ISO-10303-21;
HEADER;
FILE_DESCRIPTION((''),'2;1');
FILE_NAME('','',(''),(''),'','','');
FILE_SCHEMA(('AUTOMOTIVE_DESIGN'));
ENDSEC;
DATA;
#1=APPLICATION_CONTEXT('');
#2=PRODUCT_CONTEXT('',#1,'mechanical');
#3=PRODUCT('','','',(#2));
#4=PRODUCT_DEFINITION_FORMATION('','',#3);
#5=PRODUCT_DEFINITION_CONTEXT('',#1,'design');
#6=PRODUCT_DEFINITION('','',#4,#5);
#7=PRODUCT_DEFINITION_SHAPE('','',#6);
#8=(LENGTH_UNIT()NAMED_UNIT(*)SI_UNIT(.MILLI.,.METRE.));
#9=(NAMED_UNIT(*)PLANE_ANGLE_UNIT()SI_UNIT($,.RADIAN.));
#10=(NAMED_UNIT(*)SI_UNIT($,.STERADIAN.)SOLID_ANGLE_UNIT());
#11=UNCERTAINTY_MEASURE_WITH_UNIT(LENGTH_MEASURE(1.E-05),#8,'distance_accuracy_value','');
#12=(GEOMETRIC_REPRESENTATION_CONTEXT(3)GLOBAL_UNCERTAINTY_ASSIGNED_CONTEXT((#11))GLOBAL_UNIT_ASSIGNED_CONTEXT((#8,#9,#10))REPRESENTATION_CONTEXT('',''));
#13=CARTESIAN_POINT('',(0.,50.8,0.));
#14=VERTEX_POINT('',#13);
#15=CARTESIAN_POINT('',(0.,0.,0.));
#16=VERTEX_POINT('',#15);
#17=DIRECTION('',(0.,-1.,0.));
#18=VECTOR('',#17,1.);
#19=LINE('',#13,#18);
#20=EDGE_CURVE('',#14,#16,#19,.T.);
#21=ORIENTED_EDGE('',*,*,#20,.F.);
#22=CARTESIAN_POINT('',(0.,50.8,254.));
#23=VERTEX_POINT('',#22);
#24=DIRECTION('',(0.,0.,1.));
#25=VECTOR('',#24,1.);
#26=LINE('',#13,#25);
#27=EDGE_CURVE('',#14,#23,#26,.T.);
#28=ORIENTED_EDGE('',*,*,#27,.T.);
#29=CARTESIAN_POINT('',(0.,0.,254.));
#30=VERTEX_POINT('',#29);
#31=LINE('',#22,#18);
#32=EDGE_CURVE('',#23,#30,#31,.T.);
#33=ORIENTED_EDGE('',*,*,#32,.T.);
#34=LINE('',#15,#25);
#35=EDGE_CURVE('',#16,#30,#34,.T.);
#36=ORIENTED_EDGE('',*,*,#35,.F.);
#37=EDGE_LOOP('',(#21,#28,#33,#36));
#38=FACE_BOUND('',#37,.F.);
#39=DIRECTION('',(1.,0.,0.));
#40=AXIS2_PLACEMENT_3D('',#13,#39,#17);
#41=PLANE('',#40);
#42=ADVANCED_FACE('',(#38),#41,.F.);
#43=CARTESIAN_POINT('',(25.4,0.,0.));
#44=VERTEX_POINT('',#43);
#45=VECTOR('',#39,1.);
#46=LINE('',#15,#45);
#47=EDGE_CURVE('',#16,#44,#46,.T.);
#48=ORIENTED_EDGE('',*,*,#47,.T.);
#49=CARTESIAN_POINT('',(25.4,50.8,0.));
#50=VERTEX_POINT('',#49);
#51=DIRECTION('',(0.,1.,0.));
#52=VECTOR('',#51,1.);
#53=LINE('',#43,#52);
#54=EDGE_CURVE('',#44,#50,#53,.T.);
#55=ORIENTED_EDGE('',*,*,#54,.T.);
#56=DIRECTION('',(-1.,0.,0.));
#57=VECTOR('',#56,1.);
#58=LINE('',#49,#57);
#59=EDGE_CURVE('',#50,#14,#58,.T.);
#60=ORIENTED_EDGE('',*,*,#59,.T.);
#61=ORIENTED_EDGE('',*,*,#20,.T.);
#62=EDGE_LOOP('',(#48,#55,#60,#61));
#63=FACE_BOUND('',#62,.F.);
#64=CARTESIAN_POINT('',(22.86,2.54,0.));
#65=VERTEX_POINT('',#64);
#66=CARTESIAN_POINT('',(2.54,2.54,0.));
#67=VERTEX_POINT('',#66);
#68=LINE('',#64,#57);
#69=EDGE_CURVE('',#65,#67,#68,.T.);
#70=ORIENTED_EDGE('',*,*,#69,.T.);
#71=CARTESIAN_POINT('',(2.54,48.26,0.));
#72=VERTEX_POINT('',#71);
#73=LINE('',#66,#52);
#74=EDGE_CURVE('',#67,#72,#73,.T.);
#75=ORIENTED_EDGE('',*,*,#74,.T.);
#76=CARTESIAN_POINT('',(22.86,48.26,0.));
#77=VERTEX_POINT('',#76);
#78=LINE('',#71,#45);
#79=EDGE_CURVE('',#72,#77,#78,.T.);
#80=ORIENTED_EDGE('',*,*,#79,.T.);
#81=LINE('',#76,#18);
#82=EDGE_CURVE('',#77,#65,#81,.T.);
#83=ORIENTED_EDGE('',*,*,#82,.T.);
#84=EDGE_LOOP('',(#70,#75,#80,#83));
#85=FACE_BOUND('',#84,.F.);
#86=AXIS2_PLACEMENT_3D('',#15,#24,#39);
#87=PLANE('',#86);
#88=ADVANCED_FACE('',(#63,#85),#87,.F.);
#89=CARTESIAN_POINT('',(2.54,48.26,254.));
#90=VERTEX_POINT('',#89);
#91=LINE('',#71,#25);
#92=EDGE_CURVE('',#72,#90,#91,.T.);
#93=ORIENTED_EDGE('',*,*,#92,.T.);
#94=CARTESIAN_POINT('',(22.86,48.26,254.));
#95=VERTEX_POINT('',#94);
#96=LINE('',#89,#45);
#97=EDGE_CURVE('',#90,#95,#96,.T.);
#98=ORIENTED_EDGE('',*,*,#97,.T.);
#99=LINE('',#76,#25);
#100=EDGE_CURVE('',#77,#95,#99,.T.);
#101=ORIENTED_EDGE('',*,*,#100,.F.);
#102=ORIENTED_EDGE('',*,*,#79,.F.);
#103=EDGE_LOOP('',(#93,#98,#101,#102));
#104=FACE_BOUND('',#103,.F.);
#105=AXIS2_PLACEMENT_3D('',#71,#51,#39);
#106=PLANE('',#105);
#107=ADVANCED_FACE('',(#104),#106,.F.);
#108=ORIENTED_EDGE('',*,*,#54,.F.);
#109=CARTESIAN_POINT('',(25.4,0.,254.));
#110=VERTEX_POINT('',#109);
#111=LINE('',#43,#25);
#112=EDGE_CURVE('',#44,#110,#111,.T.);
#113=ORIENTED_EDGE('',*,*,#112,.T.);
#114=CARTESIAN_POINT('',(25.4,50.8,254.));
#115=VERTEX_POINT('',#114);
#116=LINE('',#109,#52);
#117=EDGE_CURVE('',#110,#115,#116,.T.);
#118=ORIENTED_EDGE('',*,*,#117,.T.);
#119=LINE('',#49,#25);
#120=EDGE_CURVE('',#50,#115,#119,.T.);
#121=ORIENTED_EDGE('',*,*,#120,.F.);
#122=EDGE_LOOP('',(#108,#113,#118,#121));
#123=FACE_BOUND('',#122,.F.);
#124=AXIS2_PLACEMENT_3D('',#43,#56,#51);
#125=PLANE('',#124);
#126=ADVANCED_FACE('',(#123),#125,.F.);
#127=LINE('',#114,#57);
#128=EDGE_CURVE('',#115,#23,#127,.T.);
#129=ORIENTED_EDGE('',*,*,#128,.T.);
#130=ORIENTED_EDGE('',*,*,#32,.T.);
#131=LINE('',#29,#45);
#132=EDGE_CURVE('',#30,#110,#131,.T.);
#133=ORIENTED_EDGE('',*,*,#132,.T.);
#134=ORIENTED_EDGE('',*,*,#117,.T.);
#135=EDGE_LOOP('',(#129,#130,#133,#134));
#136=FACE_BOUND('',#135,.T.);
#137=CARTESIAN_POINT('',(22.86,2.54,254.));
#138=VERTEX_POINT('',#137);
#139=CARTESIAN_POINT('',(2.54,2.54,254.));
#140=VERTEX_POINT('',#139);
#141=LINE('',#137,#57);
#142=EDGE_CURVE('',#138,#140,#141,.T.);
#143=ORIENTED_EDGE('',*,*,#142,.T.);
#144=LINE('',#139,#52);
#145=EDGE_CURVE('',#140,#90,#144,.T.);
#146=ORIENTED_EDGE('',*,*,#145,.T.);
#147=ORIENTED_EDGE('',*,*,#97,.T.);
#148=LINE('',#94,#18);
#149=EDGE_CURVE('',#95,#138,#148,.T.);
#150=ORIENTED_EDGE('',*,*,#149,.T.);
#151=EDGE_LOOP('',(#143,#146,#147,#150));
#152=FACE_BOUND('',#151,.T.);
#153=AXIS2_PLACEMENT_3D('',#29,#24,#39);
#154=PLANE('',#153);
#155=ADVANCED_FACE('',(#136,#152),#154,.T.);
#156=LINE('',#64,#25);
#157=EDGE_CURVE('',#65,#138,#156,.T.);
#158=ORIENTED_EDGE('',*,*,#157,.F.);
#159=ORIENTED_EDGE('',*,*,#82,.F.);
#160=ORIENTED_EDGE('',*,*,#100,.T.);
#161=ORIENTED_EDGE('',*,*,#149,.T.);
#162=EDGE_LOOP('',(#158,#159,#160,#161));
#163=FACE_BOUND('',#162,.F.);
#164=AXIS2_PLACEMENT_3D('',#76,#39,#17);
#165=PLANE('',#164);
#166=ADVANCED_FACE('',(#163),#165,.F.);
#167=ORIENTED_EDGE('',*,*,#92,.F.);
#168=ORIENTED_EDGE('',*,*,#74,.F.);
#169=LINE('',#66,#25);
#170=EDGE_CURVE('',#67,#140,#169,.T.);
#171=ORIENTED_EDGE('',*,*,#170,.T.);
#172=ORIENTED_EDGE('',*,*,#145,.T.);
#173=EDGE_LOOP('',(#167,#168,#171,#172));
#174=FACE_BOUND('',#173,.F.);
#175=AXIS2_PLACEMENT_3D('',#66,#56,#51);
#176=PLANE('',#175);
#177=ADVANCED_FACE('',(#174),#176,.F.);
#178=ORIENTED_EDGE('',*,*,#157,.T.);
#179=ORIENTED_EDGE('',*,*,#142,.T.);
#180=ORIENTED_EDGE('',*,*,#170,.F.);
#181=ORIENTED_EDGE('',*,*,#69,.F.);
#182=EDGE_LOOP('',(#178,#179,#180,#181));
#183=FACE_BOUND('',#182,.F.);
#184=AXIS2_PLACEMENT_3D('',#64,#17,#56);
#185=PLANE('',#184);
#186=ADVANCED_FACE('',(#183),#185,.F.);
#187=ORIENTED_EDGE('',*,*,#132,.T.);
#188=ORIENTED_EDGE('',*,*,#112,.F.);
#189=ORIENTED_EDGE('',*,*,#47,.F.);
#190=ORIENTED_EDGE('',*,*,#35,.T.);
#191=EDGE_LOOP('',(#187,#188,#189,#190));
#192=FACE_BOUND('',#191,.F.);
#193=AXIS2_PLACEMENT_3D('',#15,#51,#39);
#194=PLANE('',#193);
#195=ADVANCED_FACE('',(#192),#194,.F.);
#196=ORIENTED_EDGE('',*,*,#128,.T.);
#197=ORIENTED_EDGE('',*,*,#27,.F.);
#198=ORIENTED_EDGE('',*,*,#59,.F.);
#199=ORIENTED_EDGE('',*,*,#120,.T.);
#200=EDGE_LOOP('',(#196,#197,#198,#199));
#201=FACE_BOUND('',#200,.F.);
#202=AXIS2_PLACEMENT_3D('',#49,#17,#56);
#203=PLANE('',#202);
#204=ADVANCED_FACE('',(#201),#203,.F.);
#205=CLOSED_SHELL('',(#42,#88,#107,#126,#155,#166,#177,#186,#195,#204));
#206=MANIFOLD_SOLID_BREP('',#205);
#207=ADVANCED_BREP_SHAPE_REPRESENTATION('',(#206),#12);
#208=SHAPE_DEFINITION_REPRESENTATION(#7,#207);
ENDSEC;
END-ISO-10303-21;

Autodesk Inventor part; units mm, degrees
ref_plane "YZ Plane" through (0, 0, 0) normal (1, 0, 0) x (0, 1, 0)
ref_plane "XZ Plane" through (0, 0, 0) normal (0, 1, 0) x (-1, 0, 0)
ref_plane "XY Plane" through (0, 0, 0) normal (0, 0, 1) x (1, 0, 0)
sketch "Sketch1" plane through (0, 0, 0) normal (0, 0, 1) x (1, 0, 0)
  line L0 (0, 0) -> (25.4, 0)
  line L1 (25.4, 0) -> (25.4, 50.8)
  line L2 (25.4, 50.8) -> (0, 50.8)
  line L3 (0, 50.8) -> (0, 0)
  line L4 (22.86, 2.54) -> (2.54, 2.54)
  line L5 (2.54, 2.54) -> (2.54, 48.26)
  line L6 (2.54, 48.26) -> (22.86, 48.26)
  line L7 (22.86, 48.26) -> (22.86, 2.54)
  dimension "d0" = 25.4
  dimension "d1" = 50.8
  dimension "d2" = 2.54
extrude "Extrusion1" add sketch "Sketch1" along normal blind 254
properties part number "Example2x1"
